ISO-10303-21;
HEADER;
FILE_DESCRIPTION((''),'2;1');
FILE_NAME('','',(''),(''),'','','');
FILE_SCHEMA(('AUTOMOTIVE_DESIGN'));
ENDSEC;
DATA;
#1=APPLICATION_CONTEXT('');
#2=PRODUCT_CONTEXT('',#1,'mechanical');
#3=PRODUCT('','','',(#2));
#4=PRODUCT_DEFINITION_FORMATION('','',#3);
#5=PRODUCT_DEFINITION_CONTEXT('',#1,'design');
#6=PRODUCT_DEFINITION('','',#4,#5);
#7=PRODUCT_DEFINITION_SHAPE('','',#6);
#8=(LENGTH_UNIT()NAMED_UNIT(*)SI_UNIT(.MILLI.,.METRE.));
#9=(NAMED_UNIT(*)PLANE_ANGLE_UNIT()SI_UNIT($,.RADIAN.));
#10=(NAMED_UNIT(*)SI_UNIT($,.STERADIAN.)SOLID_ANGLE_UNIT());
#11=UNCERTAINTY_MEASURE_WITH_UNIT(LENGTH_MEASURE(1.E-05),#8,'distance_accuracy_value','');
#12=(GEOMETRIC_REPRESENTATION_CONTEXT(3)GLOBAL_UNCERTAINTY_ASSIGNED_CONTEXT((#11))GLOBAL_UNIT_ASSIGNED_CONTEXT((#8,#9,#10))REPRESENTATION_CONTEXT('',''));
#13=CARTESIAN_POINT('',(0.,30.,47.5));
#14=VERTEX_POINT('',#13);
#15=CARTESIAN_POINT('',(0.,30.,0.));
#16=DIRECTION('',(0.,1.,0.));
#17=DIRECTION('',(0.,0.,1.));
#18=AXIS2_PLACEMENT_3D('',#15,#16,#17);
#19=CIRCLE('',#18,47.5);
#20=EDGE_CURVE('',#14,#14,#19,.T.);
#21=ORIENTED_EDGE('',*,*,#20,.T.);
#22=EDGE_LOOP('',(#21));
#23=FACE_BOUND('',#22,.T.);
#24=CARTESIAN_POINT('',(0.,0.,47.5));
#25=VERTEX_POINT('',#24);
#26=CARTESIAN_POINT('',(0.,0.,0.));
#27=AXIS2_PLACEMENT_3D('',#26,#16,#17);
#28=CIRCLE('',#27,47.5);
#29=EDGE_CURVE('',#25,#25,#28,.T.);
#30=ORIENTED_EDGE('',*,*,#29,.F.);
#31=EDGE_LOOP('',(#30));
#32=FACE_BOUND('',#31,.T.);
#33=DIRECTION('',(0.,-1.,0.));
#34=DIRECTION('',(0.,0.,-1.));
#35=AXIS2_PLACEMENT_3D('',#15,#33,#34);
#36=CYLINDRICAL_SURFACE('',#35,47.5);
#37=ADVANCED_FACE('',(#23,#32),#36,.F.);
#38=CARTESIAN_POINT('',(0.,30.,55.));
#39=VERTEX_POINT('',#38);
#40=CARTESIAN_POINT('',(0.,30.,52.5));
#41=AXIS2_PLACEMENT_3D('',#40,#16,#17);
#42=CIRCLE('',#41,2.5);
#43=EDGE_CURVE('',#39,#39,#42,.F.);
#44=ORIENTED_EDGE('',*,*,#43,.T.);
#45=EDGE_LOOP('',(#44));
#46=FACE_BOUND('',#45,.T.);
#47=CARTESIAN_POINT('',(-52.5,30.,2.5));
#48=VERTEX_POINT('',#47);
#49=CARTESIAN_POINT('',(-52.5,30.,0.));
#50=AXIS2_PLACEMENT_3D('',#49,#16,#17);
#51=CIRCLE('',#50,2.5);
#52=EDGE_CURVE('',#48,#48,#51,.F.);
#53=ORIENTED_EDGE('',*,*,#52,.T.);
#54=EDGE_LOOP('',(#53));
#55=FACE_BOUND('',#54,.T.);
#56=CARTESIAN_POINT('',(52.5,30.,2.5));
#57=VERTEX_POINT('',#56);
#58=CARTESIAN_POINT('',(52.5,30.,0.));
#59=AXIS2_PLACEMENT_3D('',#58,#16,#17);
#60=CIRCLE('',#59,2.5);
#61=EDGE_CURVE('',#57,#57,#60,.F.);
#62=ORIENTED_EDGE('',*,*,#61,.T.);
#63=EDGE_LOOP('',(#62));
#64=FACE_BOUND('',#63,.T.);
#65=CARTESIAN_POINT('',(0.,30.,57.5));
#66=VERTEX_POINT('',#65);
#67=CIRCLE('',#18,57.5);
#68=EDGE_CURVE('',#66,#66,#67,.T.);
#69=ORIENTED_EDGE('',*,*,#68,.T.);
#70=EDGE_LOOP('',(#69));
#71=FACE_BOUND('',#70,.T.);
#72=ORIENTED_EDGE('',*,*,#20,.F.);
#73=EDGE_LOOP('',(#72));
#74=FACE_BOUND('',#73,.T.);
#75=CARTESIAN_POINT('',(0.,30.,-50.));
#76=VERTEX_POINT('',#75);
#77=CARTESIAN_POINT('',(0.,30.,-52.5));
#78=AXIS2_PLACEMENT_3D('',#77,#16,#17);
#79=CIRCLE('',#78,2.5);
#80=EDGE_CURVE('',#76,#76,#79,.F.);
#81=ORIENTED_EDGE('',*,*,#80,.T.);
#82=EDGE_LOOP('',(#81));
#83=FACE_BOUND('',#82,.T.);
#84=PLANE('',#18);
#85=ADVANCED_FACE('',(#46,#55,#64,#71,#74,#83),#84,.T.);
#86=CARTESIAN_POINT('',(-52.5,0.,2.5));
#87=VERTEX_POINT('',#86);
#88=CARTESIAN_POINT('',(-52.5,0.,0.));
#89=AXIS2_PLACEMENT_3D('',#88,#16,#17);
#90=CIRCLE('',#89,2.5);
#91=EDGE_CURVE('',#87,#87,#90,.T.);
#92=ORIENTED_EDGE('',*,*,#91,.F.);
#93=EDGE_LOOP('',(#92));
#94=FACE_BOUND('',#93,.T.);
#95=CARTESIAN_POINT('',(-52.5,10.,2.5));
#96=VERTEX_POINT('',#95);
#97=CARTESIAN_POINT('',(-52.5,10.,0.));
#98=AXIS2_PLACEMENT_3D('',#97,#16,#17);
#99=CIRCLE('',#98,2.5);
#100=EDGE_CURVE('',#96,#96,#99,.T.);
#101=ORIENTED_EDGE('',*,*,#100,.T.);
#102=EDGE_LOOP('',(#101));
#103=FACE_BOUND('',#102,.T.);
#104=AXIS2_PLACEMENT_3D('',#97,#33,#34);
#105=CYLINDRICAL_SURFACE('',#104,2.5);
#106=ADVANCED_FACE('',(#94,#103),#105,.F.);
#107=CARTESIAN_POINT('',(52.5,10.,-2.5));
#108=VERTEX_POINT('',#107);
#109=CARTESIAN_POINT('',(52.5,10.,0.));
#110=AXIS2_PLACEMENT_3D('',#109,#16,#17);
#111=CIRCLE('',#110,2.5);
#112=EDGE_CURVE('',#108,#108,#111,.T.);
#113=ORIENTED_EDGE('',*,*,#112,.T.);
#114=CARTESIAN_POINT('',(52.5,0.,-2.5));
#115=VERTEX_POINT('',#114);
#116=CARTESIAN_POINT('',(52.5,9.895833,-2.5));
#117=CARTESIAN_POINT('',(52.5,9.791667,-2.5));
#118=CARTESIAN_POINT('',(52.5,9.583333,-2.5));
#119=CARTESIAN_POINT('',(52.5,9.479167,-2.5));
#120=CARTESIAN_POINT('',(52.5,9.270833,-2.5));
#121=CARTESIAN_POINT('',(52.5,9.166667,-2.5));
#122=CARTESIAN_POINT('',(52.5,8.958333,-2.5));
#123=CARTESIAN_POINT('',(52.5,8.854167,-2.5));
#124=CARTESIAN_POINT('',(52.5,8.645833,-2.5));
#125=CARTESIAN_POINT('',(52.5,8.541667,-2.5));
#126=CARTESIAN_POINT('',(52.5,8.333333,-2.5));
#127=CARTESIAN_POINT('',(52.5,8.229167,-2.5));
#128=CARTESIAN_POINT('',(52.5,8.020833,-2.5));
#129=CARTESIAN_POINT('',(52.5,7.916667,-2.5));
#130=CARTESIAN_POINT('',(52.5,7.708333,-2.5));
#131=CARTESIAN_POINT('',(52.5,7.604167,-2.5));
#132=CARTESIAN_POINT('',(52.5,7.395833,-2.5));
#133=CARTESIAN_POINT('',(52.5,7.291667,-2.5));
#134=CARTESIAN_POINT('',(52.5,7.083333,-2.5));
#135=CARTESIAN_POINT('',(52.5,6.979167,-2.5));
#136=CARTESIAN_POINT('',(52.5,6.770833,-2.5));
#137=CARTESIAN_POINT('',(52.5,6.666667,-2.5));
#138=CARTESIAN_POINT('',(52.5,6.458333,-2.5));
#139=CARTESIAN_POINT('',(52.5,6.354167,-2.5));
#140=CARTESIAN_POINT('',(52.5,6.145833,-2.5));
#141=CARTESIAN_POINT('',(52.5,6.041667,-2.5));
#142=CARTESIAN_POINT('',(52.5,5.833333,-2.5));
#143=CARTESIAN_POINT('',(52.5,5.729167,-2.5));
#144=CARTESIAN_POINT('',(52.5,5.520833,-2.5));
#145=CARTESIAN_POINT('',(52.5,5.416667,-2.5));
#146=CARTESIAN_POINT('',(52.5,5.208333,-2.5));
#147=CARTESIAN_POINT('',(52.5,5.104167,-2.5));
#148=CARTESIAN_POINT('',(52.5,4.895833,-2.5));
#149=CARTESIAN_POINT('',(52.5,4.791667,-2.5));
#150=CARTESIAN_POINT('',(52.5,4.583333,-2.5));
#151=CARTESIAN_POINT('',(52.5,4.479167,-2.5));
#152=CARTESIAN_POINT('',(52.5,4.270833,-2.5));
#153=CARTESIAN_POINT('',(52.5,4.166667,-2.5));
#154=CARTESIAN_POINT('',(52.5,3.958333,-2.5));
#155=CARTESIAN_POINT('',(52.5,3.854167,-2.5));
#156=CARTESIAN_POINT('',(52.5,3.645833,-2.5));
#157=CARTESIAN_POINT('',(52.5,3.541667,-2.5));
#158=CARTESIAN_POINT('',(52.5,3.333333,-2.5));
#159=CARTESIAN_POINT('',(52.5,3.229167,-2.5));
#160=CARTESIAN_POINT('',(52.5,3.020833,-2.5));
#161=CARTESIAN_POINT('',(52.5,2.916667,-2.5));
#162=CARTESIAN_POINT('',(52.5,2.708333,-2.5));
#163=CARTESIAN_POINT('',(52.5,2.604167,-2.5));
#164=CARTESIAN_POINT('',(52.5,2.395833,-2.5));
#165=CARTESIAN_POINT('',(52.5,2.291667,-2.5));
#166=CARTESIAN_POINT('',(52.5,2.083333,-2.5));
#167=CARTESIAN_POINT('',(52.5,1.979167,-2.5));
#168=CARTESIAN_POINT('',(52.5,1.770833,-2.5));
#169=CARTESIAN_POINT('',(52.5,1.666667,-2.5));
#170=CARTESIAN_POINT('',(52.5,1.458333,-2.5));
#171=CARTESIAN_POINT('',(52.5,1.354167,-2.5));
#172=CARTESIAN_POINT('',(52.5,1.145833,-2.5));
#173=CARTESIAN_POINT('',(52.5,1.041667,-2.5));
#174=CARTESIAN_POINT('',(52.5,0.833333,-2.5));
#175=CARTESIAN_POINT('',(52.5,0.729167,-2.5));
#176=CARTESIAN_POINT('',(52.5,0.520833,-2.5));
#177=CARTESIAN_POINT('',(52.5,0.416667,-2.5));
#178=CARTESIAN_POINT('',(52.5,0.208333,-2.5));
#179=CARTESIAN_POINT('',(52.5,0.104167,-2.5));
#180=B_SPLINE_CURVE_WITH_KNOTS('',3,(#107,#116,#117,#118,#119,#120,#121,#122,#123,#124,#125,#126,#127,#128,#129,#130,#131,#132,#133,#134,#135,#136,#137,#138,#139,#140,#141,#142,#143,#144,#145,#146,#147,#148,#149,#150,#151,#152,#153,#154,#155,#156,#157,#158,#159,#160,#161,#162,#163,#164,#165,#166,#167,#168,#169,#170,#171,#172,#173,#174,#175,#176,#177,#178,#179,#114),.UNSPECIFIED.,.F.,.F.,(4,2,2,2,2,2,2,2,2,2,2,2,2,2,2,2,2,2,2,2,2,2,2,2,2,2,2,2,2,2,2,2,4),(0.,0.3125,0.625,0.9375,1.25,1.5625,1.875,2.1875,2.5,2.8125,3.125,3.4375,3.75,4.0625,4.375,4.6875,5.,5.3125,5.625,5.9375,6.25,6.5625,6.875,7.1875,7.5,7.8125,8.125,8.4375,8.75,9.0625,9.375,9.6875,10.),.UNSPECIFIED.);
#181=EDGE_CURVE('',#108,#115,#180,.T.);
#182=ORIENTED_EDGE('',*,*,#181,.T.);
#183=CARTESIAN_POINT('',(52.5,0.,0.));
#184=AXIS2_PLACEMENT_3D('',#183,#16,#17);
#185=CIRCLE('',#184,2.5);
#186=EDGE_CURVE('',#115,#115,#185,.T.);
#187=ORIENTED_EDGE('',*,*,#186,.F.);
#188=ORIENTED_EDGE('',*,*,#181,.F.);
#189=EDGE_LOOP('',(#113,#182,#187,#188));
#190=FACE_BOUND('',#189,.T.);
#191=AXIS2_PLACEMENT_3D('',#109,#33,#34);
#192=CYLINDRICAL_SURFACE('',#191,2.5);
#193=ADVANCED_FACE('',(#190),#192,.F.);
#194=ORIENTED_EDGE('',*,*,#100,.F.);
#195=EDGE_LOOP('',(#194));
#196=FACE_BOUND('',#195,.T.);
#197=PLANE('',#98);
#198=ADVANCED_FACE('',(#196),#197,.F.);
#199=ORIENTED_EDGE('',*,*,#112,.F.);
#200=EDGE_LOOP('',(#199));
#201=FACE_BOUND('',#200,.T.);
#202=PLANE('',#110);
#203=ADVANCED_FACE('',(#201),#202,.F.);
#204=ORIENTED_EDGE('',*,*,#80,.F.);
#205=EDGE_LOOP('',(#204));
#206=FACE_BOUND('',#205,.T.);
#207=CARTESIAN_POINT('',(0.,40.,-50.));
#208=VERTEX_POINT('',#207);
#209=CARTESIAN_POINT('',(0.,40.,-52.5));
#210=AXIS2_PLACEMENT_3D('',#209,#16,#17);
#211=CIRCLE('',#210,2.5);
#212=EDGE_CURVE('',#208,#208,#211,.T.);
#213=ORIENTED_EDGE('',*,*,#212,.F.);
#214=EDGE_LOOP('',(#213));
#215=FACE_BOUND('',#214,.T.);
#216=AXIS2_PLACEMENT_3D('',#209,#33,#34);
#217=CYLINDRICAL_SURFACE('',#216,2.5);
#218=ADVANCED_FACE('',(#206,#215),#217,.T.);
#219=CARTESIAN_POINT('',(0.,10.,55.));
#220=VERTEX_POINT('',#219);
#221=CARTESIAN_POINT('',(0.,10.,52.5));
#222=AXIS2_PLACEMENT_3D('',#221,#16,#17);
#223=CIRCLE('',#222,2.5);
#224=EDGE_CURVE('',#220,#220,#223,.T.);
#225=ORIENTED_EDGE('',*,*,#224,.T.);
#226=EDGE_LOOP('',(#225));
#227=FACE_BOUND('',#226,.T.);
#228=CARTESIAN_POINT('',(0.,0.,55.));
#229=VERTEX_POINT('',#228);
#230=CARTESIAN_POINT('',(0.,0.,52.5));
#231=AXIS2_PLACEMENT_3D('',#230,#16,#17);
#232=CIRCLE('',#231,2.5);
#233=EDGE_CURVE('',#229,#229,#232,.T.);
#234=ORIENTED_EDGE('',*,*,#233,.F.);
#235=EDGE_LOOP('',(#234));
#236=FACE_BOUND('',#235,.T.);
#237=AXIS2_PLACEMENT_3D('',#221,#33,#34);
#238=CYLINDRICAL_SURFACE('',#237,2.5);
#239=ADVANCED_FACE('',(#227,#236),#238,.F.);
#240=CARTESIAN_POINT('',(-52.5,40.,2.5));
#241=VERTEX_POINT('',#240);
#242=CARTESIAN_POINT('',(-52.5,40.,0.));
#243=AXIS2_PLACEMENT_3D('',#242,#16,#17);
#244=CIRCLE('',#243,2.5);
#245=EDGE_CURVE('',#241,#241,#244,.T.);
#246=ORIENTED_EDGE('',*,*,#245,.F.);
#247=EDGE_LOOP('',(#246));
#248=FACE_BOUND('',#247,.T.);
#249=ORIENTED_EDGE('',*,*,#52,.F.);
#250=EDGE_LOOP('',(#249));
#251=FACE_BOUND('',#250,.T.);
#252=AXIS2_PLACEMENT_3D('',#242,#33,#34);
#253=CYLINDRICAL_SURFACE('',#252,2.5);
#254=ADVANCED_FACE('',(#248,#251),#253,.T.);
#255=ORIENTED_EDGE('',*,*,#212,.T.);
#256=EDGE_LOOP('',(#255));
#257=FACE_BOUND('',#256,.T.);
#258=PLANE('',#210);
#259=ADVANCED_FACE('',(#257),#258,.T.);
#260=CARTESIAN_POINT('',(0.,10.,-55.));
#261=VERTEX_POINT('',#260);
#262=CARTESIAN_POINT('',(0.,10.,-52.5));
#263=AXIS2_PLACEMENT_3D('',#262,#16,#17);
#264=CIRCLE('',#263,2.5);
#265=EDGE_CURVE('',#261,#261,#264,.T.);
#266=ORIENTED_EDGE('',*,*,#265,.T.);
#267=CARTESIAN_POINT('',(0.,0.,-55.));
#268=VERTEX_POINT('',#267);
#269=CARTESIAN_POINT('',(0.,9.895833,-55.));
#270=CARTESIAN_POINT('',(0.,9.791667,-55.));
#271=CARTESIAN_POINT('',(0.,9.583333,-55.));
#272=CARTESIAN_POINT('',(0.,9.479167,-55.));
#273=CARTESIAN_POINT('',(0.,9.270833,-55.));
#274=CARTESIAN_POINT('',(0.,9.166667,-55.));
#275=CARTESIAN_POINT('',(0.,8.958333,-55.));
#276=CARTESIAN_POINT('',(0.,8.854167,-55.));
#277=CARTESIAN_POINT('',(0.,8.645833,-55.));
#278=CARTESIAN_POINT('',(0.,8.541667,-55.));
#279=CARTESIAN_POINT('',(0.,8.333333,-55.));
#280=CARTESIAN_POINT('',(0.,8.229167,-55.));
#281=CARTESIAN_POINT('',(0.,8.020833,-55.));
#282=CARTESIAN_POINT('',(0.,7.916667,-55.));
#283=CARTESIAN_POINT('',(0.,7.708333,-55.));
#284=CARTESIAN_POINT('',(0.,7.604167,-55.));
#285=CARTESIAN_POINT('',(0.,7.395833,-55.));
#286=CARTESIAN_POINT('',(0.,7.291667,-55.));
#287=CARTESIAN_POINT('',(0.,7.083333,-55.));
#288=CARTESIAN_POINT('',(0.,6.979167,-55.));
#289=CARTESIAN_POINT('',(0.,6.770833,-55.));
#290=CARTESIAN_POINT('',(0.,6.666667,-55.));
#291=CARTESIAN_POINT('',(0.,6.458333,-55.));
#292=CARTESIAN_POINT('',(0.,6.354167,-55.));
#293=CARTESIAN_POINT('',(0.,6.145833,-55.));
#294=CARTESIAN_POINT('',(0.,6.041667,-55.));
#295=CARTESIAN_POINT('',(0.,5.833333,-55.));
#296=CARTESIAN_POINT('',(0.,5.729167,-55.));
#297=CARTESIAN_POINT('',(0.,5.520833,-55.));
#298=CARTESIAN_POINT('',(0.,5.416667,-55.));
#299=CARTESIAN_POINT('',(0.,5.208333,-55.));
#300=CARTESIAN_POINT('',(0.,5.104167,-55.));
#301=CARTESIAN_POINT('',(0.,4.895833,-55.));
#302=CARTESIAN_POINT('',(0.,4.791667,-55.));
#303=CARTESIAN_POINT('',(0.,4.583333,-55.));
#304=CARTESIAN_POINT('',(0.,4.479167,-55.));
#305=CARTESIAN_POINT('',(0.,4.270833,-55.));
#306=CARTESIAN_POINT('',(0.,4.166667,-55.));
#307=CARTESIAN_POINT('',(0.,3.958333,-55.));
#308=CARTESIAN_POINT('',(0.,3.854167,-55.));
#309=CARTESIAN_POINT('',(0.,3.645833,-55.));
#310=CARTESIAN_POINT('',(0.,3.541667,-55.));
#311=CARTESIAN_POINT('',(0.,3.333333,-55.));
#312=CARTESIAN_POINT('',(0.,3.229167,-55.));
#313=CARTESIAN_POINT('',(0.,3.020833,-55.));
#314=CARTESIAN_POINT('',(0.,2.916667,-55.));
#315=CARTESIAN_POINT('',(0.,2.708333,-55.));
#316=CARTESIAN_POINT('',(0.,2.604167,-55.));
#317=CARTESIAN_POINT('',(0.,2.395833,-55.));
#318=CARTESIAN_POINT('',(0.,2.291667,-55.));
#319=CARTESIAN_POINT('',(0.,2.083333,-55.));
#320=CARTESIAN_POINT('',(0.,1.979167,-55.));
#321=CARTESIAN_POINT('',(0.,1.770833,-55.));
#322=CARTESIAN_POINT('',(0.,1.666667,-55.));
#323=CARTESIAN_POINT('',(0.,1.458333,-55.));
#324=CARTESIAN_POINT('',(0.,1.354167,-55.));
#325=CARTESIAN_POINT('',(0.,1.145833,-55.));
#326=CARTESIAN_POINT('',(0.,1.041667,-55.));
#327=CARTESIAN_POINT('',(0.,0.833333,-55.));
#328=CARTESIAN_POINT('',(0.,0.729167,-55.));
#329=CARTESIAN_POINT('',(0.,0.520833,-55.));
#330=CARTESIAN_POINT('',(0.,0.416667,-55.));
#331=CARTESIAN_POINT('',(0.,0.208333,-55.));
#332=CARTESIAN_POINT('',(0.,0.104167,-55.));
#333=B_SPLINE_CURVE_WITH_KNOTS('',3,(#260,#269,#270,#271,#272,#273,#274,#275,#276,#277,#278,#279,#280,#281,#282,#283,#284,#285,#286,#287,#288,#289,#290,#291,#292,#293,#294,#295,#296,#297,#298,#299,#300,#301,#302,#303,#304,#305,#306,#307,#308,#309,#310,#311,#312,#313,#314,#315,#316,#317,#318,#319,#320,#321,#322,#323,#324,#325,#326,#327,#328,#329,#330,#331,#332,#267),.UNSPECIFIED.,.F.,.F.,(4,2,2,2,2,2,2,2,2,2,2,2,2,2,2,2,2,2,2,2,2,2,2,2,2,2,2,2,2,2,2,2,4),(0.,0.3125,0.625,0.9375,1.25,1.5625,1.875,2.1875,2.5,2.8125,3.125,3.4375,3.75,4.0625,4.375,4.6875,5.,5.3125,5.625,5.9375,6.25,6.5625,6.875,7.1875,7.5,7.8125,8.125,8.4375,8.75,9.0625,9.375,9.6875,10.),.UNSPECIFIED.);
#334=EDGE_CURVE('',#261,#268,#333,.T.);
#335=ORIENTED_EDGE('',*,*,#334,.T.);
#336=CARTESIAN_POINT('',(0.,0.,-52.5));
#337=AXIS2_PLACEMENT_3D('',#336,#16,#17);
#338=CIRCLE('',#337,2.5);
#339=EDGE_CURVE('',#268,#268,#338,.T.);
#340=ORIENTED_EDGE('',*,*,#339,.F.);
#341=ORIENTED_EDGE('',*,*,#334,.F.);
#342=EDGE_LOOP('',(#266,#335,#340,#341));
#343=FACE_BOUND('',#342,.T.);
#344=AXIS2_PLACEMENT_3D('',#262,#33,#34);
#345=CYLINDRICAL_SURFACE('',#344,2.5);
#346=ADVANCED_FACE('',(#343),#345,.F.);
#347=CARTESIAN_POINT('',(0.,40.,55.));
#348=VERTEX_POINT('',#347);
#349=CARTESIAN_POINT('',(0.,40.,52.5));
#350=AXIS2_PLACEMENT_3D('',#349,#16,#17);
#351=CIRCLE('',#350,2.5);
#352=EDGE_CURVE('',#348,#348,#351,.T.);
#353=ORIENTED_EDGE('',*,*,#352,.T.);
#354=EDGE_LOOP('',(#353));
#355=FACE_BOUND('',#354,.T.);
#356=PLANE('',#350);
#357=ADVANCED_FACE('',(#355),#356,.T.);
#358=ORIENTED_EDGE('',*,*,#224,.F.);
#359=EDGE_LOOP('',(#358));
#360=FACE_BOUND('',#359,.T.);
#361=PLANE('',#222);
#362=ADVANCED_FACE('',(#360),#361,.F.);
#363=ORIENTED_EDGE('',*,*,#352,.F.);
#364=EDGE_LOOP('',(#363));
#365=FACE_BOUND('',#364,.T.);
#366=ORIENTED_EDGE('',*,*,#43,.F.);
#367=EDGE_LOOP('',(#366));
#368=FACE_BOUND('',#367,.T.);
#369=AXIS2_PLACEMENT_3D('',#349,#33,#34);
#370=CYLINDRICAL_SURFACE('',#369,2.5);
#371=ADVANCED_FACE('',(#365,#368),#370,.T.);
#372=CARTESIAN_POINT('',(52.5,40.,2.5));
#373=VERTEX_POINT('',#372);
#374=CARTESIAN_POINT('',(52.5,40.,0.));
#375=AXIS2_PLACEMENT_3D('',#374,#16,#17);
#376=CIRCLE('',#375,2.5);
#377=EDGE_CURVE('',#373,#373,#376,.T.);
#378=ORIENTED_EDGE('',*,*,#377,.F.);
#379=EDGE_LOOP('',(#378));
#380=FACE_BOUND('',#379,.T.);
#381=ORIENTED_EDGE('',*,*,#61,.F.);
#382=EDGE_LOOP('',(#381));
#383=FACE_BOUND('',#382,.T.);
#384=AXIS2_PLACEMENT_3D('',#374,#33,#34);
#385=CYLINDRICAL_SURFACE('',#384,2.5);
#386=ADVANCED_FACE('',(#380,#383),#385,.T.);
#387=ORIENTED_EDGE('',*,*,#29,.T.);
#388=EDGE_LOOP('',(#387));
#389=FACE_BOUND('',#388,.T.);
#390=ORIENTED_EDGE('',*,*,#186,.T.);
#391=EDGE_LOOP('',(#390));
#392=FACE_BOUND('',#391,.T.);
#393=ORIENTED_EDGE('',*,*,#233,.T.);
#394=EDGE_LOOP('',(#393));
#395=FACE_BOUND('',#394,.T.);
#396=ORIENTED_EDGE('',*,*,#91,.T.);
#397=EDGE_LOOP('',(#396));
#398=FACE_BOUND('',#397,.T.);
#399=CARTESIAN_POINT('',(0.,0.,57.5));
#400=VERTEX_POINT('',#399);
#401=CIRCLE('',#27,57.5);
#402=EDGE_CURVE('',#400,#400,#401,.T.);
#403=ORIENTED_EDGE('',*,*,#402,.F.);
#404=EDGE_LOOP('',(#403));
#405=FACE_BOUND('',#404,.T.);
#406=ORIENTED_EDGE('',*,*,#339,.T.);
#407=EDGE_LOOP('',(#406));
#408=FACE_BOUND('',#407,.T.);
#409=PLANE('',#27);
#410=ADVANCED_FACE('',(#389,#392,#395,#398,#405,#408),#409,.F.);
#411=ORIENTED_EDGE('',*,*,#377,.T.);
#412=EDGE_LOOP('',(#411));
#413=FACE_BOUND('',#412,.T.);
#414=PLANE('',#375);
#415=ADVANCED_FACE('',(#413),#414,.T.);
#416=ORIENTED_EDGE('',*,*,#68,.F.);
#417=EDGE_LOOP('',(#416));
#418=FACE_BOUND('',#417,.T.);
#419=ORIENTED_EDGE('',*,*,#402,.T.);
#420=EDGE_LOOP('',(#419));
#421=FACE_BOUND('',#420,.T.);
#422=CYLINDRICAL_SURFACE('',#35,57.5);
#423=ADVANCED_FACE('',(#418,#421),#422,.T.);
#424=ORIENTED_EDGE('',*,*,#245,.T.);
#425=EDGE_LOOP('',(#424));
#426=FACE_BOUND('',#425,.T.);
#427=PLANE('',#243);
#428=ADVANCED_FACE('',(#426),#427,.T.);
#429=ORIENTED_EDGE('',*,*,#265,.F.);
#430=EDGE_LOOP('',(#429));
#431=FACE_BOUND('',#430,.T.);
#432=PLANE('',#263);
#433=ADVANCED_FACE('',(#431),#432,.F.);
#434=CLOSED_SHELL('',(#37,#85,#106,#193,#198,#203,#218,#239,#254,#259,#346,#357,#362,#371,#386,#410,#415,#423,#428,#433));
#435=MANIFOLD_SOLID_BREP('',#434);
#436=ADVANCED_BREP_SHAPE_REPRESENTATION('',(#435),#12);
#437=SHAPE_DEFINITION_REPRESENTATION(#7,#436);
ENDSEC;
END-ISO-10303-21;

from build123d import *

# Parameters (mm, degrees)
ESQUISSE1_R             = 57.5
ESQUISSE1_R_2           = 47.5
BOSS_EXTRU_1_DEPTH      = 30
ESQUISSE3_R             = 2.5
BOSS_EXTRU_3_DEPTH      = 40
ESQUISSE23_R            = 2.5
ENL_V_MAT_EXTRU_1_DEPTH = 10
ESQUISSE22_R            = 2.5
ENL_V_MAT_EXTRU_2_DEPTH = 10
ESQUISSE20_R            = 2.5
ENL_V_MAT_EXTRU_3_DEPTH = 10


with BuildPart() as part:
    # Esquisse1 → Boss.-Extru.1 (new body)
    with BuildSketch(Plane(origin=(0, 0, 0), x_dir=(1, 0, 0), z_dir=(0, 1, 0))):
        with Locations(Location((0, 0, 0), (0, 0, 270))):
            Circle(ESQUISSE1_R)
        with Locations(Location((0, 0, 0), (0, 0, 270))):
            Circle(ESQUISSE1_R_2, mode=Mode.SUBTRACT)
    extrude(amount=BOSS_EXTRU_1_DEPTH)

    # Esquisse3 → Boss.-Extru.3 (add)
    with BuildSketch(Plane(origin=(0, 0, 0), x_dir=(1, 0, 0), z_dir=(0, 1, 0))):
        with Locations(Location((0, 52.5, 0), (0, 0, 270))):
            Circle(ESQUISSE3_R)
        with Locations(Location((0, -52.5, 0), (0, 0, 270))):
            Circle(ESQUISSE3_R)
        with Locations(Location((-52.5, 0, 0), (0, 0, 270))):
            Circle(ESQUISSE3_R)
        with Locations(Location((52.5, 0, 0), (0, 0, 270))):
            Circle(ESQUISSE3_R)
    extrude(amount=BOSS_EXTRU_3_DEPTH)

    # Esquisse23 → Enlèv. mat.-Extru.1 (cut)
    with BuildSketch(Plane(origin=(0, 0, 0), x_dir=(1, 0, 0), z_dir=(0, 1, 0))):
        with Locations(Location((52.5, 0, 0), (0, 0, 270))):
            Circle(ESQUISSE23_R)
    extrude(amount=ENL_V_MAT_EXTRU_1_DEPTH, mode=Mode.SUBTRACT)

    # Esquisse22 → Enlèv. mat.-Extru.2 (cut)
    with BuildSketch(Plane(origin=(0, 0, 0), x_dir=(1, 0, 0), z_dir=(0, 1, 0))):
        with Locations(Location((0, 52.5, 0), (0, 0, 270))):
            Circle(ESQUISSE22_R)
    extrude(amount=ENL_V_MAT_EXTRU_2_DEPTH, mode=Mode.SUBTRACT)

    # Esquisse20 → Enlèv. mat.-Extru.3 (cut)
    with BuildSketch(Plane(origin=(0, 0, 0), x_dir=(1, 0, 0), z_dir=(0, 1, 0))):
        with Locations(Location((0, -52.5, 0), (0, 0, 270))):
            Circle(ESQUISSE20_R)
        with Locations(Location((-52.5, 0, 0), (0, 0, 270))):
            Circle(ESQUISSE20_R)
        with Locations(Location((0, 52.5, 0), (0, 0, 270))):
            Circle(ESQUISSE20_R)
        with Locations(Location((52.5, 0, 0), (0, 0, 270))):
            Circle(ESQUISSE20_R)
    extrude(amount=ENL_V_MAT_EXTRU_3_DEPTH, mode=Mode.SUBTRACT)


solid = part.part
